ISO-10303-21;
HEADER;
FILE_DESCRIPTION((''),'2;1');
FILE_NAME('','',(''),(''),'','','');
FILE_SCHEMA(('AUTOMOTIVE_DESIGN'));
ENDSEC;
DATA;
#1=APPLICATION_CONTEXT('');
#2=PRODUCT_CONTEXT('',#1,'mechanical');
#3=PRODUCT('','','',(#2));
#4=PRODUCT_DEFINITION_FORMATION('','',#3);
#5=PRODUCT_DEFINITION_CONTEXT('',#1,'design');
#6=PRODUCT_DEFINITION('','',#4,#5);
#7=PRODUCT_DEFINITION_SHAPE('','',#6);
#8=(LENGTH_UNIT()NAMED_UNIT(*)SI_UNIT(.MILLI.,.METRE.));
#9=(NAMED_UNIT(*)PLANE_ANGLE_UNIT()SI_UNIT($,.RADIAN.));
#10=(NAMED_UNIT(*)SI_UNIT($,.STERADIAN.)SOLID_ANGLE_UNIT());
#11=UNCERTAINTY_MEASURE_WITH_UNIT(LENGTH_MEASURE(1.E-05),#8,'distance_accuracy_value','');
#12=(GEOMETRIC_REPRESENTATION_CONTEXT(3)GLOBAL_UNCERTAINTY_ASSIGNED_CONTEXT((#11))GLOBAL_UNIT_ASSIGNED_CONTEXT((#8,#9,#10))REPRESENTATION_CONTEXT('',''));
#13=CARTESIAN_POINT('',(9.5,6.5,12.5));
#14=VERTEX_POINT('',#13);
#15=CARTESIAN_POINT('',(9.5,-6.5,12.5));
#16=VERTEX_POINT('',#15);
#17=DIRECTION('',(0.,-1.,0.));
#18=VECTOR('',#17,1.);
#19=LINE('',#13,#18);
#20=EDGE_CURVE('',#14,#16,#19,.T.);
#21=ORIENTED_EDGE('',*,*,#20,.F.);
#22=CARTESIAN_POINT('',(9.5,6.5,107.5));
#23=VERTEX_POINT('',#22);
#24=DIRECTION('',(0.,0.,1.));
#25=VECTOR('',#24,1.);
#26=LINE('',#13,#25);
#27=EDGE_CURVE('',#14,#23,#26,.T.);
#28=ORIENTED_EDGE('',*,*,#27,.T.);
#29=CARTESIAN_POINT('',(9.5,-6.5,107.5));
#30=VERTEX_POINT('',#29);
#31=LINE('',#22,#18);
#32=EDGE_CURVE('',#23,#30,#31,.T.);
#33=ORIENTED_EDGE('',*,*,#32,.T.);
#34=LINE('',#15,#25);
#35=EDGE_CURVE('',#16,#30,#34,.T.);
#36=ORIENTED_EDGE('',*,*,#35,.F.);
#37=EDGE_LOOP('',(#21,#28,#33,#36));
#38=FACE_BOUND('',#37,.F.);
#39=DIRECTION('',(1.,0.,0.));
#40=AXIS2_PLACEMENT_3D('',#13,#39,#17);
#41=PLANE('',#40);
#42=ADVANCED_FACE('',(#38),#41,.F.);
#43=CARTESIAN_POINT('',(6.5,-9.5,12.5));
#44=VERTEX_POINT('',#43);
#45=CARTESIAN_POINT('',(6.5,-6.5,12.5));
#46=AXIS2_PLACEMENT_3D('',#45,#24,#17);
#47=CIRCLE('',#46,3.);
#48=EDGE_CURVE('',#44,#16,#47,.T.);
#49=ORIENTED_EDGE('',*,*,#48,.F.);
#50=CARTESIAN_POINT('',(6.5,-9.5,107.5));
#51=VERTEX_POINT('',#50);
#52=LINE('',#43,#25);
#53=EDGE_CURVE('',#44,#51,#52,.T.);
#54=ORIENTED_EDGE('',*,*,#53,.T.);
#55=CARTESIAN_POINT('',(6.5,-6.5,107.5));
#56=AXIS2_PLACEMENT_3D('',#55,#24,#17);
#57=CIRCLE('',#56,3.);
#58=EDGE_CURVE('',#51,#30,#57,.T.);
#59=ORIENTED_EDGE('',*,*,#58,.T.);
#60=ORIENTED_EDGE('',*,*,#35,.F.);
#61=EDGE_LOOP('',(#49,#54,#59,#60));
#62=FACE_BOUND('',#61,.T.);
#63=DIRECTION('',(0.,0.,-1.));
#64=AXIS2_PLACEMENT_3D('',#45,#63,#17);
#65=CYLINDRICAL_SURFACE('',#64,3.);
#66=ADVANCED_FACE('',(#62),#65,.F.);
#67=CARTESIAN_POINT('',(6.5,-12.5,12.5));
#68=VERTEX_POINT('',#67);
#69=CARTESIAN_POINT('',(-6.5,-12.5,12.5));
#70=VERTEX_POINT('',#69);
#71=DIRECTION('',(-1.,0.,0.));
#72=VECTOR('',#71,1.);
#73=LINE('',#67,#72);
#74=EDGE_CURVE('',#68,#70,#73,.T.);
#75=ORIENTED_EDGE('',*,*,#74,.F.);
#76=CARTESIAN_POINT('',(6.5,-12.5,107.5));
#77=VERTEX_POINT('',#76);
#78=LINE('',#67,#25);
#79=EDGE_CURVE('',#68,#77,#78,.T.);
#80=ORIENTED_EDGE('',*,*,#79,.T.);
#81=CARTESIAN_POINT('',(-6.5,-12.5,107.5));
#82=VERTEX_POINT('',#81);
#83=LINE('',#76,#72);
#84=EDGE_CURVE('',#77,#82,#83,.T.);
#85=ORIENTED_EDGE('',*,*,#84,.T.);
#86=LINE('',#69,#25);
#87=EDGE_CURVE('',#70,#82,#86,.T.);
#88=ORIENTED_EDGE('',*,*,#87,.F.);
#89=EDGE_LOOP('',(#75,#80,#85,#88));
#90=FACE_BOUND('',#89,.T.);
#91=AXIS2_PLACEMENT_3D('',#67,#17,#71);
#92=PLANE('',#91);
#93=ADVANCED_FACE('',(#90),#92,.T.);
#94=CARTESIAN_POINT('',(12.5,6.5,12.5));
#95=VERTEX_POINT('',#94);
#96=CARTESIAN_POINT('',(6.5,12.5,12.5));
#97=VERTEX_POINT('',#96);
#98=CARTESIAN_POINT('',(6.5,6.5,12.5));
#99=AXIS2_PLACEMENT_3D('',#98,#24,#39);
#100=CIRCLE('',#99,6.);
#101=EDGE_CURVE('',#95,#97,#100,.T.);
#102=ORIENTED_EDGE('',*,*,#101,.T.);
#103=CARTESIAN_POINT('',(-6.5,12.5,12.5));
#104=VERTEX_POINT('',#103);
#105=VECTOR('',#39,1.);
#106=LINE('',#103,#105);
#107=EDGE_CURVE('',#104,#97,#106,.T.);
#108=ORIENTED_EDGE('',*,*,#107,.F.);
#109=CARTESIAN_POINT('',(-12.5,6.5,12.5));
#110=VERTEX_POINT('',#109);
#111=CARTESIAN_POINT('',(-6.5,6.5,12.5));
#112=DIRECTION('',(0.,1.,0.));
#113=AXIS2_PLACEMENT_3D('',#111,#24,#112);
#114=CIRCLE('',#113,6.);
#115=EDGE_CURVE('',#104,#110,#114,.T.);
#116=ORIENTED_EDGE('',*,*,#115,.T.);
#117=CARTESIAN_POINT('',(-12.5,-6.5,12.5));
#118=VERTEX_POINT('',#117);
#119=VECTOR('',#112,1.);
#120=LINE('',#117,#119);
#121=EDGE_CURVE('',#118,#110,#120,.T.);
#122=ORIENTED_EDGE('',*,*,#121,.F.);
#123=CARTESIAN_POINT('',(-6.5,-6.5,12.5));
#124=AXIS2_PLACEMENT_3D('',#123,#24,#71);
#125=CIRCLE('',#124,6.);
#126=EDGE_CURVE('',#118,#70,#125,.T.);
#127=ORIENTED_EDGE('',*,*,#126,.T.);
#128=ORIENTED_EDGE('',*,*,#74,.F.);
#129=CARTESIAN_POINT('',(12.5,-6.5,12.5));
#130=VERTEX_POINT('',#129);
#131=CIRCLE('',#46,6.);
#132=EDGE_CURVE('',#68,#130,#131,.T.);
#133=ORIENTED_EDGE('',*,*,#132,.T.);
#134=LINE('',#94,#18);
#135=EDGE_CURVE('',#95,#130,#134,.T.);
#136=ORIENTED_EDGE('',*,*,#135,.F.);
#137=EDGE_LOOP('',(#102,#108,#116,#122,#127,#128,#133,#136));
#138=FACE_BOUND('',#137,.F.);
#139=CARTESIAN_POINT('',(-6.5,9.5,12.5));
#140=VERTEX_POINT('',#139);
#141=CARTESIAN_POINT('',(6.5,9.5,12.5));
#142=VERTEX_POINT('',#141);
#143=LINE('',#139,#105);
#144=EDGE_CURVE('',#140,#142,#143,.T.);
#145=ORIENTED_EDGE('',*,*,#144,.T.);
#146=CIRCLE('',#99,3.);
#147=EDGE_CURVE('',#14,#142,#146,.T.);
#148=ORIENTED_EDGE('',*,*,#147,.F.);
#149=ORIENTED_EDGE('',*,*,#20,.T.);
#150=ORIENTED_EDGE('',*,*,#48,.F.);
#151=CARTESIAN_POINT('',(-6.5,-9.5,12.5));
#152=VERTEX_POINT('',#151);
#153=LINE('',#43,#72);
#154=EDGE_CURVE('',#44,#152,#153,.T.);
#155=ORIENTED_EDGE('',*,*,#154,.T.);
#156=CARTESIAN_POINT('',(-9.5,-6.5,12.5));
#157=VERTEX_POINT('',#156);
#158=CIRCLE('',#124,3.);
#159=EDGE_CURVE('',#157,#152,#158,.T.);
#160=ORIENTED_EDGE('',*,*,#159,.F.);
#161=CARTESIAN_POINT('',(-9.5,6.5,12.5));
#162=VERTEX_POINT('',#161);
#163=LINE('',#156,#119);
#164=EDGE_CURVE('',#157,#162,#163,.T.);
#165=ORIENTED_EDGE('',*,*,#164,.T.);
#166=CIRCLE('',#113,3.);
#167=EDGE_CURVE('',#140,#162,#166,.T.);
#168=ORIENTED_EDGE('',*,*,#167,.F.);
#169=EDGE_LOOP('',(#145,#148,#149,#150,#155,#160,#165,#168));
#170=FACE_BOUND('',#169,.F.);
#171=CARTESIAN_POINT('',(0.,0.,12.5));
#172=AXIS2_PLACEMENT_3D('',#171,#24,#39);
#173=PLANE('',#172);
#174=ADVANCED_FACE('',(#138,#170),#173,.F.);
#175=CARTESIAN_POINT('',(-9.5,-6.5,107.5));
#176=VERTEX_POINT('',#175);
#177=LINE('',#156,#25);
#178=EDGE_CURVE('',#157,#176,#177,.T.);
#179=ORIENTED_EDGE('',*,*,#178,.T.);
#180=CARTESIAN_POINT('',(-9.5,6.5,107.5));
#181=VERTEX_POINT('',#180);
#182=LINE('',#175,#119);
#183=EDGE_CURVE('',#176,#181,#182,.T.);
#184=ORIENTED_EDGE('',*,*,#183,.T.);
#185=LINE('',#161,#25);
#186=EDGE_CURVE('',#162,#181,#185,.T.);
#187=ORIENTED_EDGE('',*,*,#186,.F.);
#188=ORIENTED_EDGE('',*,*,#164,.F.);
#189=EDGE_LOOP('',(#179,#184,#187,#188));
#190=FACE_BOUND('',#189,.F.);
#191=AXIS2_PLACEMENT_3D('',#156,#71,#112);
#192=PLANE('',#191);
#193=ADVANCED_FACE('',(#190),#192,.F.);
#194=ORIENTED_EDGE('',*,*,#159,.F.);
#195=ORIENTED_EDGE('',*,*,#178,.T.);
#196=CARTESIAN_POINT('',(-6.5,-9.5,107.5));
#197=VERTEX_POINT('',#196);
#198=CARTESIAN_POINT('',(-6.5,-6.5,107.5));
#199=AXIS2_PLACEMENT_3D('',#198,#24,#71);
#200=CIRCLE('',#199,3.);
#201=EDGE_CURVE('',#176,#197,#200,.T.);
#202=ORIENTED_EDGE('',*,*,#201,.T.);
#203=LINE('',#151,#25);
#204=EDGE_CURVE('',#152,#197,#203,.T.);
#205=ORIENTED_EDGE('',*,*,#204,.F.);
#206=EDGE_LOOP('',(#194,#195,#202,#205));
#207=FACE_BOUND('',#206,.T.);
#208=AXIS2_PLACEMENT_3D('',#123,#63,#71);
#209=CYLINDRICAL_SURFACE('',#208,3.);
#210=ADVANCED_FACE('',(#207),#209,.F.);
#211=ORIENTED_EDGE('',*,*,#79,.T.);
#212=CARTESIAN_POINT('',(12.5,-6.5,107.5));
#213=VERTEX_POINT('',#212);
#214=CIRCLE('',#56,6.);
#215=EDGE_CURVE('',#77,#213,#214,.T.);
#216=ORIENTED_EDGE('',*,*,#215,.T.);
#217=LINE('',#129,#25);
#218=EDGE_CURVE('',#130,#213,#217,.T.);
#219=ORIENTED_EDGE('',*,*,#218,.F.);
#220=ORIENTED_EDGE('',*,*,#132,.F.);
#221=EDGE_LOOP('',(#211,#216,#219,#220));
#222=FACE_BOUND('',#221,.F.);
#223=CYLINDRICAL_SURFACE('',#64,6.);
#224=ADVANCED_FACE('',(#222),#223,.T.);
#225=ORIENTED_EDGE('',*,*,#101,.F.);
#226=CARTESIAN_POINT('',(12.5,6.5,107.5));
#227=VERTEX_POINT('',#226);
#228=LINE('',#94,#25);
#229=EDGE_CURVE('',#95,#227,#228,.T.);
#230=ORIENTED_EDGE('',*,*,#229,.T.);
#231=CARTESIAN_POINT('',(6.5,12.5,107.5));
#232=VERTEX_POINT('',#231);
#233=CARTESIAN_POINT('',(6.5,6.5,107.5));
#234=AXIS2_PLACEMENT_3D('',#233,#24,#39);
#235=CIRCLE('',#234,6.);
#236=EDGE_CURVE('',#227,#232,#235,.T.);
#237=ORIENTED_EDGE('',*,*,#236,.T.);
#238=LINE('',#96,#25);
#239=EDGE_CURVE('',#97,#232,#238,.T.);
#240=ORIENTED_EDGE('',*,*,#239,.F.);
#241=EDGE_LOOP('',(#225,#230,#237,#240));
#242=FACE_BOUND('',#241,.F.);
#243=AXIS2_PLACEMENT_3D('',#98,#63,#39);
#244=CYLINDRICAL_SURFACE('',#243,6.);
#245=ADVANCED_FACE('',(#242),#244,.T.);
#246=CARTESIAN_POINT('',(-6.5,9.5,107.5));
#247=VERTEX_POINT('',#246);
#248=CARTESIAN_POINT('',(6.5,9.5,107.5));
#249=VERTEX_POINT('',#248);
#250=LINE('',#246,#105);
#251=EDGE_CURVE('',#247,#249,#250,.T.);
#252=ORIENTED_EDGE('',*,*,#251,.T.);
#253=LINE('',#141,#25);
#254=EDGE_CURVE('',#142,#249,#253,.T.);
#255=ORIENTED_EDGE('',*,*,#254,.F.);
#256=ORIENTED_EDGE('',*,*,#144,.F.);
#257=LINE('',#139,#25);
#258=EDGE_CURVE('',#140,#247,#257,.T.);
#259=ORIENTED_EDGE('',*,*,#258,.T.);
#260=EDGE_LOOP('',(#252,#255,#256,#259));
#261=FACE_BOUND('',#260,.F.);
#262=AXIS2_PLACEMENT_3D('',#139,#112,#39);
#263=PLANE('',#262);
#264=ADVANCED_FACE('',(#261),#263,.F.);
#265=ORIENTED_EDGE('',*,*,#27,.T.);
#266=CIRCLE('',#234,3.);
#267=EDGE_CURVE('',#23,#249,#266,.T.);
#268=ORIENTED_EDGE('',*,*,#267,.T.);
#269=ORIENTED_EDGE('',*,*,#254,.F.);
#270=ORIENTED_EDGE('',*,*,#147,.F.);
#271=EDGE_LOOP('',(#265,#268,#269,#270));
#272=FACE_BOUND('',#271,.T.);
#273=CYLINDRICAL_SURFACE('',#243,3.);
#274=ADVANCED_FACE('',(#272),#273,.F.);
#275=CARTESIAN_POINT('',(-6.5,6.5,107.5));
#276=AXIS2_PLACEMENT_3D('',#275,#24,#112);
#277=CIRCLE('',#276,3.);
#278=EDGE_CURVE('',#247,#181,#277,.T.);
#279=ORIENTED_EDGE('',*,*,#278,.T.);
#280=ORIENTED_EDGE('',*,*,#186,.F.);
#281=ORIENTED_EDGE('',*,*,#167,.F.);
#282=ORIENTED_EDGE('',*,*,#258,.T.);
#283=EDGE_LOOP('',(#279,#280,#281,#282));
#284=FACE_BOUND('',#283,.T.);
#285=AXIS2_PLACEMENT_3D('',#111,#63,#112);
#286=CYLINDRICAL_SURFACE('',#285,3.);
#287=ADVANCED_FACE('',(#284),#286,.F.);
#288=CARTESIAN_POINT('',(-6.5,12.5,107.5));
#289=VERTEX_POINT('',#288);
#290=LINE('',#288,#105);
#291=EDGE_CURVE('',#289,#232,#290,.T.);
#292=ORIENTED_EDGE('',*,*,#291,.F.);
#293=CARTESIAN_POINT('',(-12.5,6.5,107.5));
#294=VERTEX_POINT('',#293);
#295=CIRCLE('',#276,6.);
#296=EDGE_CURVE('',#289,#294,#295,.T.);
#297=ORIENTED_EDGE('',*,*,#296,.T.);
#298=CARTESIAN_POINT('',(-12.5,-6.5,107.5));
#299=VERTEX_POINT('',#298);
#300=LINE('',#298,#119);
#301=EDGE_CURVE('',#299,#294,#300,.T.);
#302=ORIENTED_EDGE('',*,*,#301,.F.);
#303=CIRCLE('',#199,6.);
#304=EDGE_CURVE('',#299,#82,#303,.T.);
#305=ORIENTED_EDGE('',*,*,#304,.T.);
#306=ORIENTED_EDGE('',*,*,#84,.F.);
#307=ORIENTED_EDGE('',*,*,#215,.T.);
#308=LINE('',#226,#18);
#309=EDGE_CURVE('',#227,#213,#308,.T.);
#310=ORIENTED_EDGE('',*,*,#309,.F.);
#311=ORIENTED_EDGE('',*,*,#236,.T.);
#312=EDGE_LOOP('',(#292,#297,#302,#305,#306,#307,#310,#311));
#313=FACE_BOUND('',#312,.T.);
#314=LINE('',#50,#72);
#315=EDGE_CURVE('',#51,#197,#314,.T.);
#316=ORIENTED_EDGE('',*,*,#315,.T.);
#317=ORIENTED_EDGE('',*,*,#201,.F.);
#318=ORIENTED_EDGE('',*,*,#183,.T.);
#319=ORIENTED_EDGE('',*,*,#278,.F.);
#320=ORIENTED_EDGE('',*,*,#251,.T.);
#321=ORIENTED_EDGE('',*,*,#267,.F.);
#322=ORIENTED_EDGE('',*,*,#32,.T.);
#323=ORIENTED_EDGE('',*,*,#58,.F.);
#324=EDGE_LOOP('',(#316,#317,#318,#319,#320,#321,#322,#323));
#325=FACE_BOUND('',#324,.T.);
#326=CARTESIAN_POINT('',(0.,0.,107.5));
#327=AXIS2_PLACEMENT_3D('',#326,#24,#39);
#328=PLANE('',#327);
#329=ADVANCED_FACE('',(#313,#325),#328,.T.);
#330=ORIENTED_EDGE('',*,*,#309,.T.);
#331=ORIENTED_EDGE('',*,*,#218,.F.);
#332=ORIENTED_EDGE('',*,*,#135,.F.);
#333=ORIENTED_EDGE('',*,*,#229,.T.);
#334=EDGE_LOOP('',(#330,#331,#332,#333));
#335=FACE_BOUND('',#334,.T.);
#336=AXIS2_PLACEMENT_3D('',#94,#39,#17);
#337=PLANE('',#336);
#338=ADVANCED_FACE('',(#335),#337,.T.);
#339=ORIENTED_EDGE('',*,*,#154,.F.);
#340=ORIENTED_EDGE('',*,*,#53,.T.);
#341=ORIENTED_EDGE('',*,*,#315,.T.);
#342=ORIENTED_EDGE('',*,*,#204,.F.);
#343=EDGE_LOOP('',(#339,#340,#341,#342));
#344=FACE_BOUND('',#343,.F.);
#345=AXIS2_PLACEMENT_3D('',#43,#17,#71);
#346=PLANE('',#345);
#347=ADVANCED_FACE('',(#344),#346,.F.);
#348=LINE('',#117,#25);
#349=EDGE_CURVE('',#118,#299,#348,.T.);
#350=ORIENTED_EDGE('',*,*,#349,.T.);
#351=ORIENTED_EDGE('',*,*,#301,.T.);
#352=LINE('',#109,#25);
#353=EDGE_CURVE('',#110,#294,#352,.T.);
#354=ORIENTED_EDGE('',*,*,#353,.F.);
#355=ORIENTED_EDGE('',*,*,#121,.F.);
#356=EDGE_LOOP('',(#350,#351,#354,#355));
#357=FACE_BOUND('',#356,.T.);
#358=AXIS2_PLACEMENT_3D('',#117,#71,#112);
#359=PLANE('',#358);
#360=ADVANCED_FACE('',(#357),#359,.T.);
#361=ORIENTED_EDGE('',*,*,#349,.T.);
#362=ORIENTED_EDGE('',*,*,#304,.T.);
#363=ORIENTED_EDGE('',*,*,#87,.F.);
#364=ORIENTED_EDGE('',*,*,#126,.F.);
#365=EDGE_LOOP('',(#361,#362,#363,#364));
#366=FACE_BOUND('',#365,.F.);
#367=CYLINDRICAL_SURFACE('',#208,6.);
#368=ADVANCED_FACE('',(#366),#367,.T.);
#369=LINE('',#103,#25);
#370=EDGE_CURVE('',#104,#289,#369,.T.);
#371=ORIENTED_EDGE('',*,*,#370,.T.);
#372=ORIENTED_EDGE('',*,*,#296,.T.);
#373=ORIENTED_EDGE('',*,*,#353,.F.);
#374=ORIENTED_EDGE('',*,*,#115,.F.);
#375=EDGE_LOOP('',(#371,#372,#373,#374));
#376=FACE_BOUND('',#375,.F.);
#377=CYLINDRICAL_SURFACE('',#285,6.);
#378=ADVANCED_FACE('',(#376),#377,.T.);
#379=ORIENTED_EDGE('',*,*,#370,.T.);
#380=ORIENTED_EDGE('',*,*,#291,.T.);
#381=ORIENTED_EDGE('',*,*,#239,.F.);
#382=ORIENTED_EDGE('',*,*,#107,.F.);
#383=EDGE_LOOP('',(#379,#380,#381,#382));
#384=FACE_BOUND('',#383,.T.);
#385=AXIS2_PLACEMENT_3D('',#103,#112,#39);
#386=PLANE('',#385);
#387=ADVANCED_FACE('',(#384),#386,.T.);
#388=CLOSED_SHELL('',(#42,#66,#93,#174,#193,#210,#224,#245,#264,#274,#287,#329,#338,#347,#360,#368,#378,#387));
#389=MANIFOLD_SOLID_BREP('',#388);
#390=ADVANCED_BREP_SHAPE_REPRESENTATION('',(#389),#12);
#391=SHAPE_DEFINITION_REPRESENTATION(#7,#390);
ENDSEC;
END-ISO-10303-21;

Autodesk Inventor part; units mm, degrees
ref_plane "Start plane" through (0, 0, 12.5) normal (0, 0, 1) x (1, 0, 0)
ref_plane "End plane" through (0, 0, 107.5) normal (0, 0, 1) x (1, 0, 0)
sketch "Sketch" plane through (0, 0, 0) normal (0, 0, 1) x (1, 0, 0)
  line L0 (-12.5, -6.5) -> (-12.5, 6.5)
  line L1 (-6.5, 12.5) -> (6.5, 12.5)
  line L2 (12.5, 6.5) -> (12.5, -6.5)
  line L3 (6.5, -12.5) -> (-6.5, -12.5)
  arc A0 (-12.5, -6.5) -> (-6.5, -12.5) centre (-6.5, -6.5) ccw
  arc A1 (-6.5, 12.5) -> (-12.5, 6.5) centre (-6.5, 6.5) ccw
  arc A2 (12.5, 6.5) -> (6.5, 12.5) centre (6.5, 6.5) ccw
  arc A3 (6.5, -12.5) -> (12.5, -6.5) centre (6.5, -6.5) ccw
  arc A4 (-6.5, 9.5) -> (-9.5, 6.5) centre (-6.5, 6.5) ccw
  line L4 (-6.5, 9.5) -> (6.5, 9.5)
  arc A5 (9.5, 6.5) -> (6.5, 9.5) centre (6.5, 6.5) ccw
  line L5 (9.5, 6.5) -> (9.5, -6.5)
  arc A6 (6.5, -9.5) -> (9.5, -6.5) centre (6.5, -6.5) ccw
  line L6 (6.5, -9.5) -> (-6.5, -9.5)
  arc A7 (-9.5, -6.5) -> (-6.5, -9.5) centre (-6.5, -6.5) ccw
  line L7 (-9.5, -6.5) -> (-9.5, 6.5)
  line L8 (0, 19.2397) -> (0, -19.2397) construction
  line L9 (-19.2397, 0) -> (19.2397, 0) construction
  dimension "d7" = 6
  dimension "d10" = 25
  dimension "d11" = 25
  dimension "d12" = 3
  dimension "d15" = 12.5
  dimension "d16" = 12.5
extrude "Body" add sketch "Sketch" along normal up to surface (95 mm away) from surface at 12.5
sketch "Sketch3" plane through (0, 0, 0) normal (0, 0, 1) x (1, 0, 0)
  line L0 (0, 0) -> (10, 0)
ref_plane "Work Plane3" through (0, 0, 0) normal (0, -1, 0) x (1, 0, 0)
sketch "Sketch4" plane through (0, 0, 0) normal (0, -1, 0) x (1, 0, 0)
  line L0 (-2, 12.5) -> (12, 12.5)
  line L1 (-2, 107.5) -> (12, 107.5)
  dimension "d18" = 95
ref_plane "Work Plane4" through (517.5, 0, 107.5) normal (0, 0, 1) x (1, 0, 0)
split "Split1" plane through (517.5, 0, 107.5) removes the side toward (0, 0, 1)
ref_plane "Work Plane5" through (500, 0, 12.5) normal (0, 0, -1) x (-1, 0, 0)
split "Split2" plane through (500, 0, 12.5) removes the side toward (0, 0, -1)
equation "\"d7\" = G_IR"
equation "\"d10\" = G_H"
equation "\"d11\" = G_W"
equation "\"d12\" = G_T"
equation "\"d15\" = 0.5 * d10"
equation "\"d16\" = 0.5 * d11"
equation "\"d3\" = G_L"
equation "\"G_W\" = 25"
equation "\"G_H\" = 25"
equation "\"G_T\" = 3"
equation "\"G_IR\" = 6"
equation "\"G_L\" = d18"
equation "\"G_OFFSET_START\" = -12.5"
equation "\"G_OFFSET_END\" = -17.5"
equation "\"d13\" = -G_OFFSET_START"
equation "\"d14\" = G_OFFSET_END + B_L"
equation "\"B_L\" = 125"
properties part number "AS 1163 - C350L0 25x25x3.0 SHS - 95" material "Steel, Mild"
